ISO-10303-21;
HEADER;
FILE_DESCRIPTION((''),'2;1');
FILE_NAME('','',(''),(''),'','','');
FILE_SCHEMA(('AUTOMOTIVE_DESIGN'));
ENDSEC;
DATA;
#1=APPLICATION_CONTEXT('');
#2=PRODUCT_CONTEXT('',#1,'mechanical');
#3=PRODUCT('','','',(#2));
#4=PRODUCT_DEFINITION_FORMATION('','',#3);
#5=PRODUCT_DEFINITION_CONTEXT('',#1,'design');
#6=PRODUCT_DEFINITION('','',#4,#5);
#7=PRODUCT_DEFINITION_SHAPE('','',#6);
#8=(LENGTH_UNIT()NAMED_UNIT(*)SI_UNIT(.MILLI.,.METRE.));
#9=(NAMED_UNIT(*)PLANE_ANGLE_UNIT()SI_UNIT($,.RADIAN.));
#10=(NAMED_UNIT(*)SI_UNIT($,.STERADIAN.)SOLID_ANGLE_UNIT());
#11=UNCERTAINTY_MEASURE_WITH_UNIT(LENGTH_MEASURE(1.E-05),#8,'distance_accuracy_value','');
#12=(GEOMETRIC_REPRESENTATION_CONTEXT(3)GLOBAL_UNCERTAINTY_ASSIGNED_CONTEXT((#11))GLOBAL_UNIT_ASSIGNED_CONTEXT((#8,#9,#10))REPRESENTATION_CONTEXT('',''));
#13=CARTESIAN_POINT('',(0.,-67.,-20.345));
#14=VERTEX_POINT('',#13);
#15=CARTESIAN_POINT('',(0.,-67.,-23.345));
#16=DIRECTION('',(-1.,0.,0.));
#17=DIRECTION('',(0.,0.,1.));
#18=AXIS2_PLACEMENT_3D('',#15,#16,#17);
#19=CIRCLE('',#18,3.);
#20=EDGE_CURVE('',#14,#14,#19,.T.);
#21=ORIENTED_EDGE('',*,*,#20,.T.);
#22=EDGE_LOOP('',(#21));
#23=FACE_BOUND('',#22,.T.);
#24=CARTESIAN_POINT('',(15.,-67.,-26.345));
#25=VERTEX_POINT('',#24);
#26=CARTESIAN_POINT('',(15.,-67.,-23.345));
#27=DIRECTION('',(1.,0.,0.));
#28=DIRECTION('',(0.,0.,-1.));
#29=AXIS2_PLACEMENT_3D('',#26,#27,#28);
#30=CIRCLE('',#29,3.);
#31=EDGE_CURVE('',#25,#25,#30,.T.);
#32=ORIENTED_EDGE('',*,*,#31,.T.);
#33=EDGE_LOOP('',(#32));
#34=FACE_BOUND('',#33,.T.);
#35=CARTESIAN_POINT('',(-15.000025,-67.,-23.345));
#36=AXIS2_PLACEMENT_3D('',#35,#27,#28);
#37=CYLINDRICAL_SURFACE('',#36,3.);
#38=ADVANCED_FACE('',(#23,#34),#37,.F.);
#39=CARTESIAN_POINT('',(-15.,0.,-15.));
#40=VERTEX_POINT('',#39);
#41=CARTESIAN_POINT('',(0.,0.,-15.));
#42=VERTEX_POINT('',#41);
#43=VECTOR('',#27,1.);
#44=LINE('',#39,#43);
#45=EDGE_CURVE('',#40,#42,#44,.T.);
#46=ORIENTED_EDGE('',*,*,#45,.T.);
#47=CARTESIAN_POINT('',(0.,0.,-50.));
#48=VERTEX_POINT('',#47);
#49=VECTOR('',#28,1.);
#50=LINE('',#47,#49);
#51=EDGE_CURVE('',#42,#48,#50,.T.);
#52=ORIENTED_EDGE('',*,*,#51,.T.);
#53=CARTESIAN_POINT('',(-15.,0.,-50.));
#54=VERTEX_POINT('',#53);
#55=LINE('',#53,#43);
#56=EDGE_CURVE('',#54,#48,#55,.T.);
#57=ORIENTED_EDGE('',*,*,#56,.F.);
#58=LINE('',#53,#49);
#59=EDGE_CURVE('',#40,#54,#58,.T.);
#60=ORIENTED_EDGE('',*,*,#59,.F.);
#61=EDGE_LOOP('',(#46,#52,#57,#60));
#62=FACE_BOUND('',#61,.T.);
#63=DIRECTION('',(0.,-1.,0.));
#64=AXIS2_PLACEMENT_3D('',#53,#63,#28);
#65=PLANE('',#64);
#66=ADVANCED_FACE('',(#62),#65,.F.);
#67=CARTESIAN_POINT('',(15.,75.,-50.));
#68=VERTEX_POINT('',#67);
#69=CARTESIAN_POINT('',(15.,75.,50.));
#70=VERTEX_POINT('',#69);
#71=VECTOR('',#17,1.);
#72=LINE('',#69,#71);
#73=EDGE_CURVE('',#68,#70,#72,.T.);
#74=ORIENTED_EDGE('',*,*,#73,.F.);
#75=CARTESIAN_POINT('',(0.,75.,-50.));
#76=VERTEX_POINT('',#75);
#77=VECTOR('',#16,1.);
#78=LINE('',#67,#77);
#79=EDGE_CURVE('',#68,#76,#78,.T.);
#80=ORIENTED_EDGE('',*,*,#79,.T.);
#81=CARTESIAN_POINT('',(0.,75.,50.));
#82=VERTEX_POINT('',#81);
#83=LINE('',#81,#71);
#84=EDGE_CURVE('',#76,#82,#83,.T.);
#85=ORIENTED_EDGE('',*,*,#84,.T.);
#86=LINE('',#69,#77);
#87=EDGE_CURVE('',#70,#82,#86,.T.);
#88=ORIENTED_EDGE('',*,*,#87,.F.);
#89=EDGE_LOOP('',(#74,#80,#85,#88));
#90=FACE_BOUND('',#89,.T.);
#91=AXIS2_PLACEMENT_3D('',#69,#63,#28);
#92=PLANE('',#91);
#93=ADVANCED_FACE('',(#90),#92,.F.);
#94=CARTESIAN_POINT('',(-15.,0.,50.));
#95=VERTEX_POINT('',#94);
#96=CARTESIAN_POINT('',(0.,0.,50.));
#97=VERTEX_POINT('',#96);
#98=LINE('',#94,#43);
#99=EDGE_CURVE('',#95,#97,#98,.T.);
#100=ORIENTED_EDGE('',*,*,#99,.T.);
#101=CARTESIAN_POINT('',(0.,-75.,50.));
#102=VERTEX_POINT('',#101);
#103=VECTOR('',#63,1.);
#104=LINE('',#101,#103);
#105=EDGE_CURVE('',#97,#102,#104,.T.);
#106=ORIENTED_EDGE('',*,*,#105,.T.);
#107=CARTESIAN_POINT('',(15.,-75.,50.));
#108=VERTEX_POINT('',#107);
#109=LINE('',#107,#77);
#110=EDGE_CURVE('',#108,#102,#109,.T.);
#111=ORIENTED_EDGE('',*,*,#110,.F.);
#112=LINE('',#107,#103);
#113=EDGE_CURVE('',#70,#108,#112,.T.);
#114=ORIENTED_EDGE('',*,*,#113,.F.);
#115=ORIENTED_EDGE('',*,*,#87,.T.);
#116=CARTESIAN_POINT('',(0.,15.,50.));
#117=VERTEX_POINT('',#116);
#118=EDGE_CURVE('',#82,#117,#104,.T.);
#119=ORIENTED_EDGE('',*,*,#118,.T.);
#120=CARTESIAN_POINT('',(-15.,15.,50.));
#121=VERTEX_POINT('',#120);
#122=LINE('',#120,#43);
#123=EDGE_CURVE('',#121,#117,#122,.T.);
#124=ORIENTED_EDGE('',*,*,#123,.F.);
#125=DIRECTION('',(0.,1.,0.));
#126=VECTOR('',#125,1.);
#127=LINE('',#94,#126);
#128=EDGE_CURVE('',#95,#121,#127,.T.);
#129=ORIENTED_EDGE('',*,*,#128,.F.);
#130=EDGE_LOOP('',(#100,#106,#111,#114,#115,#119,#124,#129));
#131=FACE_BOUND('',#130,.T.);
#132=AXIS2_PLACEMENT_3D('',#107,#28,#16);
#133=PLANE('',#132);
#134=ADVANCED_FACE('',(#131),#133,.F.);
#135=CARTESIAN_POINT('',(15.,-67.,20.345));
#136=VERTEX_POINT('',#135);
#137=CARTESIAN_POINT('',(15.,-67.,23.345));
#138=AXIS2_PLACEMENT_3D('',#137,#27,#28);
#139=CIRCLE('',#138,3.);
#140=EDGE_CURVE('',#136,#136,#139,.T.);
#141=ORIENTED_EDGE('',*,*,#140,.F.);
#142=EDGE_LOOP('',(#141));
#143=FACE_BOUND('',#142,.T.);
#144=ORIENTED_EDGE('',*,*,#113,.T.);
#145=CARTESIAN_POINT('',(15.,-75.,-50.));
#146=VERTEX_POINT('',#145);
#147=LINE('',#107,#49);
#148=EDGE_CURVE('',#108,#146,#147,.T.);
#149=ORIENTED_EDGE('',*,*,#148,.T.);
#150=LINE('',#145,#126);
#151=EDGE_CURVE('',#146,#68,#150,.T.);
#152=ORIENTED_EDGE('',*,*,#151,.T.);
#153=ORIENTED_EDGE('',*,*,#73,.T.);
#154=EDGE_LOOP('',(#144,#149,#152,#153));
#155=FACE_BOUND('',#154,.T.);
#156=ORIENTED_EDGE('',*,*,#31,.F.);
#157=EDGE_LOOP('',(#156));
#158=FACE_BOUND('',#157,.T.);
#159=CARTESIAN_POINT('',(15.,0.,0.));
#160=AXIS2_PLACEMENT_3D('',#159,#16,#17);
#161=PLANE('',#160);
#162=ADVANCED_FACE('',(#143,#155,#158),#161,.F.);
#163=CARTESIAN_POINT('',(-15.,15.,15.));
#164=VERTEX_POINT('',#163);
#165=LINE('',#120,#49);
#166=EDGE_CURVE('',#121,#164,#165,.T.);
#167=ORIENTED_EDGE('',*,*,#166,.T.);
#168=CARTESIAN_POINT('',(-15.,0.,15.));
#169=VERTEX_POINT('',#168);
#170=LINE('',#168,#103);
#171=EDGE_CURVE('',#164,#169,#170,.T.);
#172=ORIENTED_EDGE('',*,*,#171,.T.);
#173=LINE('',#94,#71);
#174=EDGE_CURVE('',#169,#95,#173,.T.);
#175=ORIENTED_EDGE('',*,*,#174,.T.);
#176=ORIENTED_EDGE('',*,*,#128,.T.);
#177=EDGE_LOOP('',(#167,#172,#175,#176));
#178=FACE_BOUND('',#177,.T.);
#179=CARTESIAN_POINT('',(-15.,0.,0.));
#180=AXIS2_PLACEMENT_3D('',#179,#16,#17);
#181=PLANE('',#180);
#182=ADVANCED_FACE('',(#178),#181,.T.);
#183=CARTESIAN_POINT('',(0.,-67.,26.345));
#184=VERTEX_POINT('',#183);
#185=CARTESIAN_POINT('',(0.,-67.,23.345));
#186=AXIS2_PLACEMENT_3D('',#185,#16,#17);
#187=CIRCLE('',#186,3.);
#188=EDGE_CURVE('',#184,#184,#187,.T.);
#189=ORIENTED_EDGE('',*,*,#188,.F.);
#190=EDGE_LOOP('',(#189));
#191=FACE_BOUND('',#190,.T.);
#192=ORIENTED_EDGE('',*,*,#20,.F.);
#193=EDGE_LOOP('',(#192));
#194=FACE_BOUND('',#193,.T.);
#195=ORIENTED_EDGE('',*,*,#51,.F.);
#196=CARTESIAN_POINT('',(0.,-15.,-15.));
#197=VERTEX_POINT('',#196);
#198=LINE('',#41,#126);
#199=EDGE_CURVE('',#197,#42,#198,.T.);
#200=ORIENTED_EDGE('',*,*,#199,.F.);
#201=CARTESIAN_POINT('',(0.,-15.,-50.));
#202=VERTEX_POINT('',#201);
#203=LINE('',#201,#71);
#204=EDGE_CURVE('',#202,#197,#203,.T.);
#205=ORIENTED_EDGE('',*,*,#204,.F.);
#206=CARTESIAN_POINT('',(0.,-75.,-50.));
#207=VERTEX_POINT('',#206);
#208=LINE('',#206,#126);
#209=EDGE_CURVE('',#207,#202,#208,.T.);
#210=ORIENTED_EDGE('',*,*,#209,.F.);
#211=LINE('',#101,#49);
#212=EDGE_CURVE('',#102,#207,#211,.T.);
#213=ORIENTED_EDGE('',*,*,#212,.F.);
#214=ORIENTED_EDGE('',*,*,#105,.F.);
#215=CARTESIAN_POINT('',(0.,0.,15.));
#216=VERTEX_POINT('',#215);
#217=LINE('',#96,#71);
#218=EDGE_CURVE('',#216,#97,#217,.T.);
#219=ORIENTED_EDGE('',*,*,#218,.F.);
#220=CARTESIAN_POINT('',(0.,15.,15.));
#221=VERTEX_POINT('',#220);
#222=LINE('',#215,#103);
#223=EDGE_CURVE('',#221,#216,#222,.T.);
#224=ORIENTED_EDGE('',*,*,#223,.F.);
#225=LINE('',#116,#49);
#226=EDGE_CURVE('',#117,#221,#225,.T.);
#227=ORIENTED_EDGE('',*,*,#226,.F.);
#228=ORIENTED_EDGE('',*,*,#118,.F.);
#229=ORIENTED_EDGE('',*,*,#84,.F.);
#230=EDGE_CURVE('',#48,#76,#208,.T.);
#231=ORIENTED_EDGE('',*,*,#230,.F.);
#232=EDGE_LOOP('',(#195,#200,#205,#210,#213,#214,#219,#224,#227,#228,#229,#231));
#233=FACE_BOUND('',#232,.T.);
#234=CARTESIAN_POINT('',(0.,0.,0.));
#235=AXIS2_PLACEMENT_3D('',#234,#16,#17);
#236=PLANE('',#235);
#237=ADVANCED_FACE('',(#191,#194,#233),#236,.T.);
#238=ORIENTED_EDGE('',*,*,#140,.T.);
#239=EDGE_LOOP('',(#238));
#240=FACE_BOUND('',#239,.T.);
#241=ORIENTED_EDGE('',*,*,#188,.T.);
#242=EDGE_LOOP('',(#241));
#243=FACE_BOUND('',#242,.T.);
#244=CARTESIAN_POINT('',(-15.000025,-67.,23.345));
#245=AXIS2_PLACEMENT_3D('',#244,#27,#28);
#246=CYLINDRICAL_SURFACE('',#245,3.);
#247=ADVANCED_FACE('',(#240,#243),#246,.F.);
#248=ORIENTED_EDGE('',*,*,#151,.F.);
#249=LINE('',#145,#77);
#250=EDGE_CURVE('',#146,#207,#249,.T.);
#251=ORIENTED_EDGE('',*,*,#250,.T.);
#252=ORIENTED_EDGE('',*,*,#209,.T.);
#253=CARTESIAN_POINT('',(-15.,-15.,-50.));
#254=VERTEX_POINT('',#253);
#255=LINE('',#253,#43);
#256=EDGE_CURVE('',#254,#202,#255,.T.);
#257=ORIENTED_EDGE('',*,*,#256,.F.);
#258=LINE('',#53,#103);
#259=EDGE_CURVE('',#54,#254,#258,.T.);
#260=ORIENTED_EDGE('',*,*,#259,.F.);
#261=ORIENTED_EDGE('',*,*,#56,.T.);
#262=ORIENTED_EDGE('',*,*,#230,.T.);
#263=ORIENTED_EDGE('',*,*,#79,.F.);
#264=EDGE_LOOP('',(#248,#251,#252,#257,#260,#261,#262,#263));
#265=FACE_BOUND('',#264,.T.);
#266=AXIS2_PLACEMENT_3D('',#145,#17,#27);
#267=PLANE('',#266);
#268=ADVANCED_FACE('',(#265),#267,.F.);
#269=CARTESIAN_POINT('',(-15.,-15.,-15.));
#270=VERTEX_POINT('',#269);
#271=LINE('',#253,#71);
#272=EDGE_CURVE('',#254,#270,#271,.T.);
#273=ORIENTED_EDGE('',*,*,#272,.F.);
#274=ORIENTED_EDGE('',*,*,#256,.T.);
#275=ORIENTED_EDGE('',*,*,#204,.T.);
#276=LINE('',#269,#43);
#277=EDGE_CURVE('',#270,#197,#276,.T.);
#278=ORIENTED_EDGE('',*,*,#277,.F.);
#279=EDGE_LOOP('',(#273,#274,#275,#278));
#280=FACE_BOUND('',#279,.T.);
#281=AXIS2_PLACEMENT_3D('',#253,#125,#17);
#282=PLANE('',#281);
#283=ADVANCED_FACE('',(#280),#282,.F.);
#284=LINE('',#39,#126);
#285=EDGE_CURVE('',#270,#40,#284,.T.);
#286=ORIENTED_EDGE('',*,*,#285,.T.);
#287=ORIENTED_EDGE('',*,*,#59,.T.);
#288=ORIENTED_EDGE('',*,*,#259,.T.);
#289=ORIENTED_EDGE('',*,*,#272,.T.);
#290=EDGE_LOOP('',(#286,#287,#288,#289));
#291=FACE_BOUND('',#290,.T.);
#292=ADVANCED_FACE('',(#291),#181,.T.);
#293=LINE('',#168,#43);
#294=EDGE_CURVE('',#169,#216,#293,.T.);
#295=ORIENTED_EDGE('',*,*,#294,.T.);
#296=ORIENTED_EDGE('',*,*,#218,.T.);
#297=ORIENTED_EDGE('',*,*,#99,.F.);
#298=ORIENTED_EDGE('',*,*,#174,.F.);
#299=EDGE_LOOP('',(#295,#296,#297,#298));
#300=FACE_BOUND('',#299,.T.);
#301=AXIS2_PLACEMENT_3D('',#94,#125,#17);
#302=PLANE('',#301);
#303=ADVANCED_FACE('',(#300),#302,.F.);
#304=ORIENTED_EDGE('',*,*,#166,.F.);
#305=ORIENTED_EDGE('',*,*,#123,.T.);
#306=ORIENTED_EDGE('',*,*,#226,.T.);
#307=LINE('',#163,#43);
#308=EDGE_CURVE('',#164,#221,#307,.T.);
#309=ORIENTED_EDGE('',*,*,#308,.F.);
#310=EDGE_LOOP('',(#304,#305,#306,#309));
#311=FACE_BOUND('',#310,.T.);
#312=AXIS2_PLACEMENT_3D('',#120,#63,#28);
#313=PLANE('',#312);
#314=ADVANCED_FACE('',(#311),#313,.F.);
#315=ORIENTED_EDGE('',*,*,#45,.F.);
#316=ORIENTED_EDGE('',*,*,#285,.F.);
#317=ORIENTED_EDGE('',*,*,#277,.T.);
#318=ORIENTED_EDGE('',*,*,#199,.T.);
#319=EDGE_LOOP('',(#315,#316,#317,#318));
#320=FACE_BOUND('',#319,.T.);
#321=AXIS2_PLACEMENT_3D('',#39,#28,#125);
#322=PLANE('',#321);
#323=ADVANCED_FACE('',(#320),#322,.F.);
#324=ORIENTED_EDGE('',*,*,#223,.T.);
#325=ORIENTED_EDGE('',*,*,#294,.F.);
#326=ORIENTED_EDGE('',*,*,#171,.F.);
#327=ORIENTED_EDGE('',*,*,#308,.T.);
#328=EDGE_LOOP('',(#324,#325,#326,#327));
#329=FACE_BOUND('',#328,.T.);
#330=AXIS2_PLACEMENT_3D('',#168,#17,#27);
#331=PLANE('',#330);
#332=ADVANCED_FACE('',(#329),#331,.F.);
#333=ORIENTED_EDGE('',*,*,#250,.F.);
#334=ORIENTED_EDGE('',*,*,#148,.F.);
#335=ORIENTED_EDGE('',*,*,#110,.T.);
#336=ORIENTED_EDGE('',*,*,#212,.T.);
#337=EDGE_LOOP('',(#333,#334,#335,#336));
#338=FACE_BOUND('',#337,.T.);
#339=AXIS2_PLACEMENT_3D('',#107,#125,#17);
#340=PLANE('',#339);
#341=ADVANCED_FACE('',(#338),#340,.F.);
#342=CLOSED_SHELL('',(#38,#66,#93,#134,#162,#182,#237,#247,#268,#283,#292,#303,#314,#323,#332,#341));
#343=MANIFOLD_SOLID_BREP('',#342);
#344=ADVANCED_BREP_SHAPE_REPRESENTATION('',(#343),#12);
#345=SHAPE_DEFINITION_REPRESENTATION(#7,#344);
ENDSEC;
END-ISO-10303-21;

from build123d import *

# Parameters (mm, degrees)
CROQUIS1_W              = 100
CROQUIS1_H              = 150
SALIENTE_EXTRUIR1_DEPTH = 15
CROQUIS2_W              = 35
CROQUIS2_H              = 15
SALIENTE_EXTRUIR2_DEPTH = 15
CROQUIS3_R              = 3
CORTAR_EXTRUIR1_DEPTH   = 96


with BuildPart() as part:
    # Croquis1 → Saliente-Extruir1 (new body)
    with BuildSketch(Plane(origin=(0, 0, 0), x_dir=(0, 0, -1), z_dir=(1, 0, 0))):
        Rectangle(CROQUIS1_W, CROQUIS1_H)
    extrude(amount=SALIENTE_EXTRUIR1_DEPTH)

    # Croquis2 → Saliente-Extruir2 (add)
    with BuildSketch(Plane.ZY):
        with Locations((32.5, 7.5)):
            Rectangle(CROQUIS2_W, CROQUIS2_H)
        with Locations((-32.5, -7.5)):
            Rectangle(CROQUIS2_W, CROQUIS2_H)
    extrude(amount=SALIENTE_EXTRUIR2_DEPTH)

    # Croquis3 → Cortar-Extruir1 (cut, through all)
    with BuildSketch(Plane(origin=(15, 0, 0), x_dir=(0, 0, -1), z_dir=(1, 0, 0))):
        with Locations((-23.345, -67)):
            Circle(CROQUIS3_R)
        with Locations((23.345, -67)):
            Circle(CROQUIS3_R)
    extrude(amount=-CORTAR_EXTRUIR1_DEPTH, mode=Mode.SUBTRACT)


solid = part.part
